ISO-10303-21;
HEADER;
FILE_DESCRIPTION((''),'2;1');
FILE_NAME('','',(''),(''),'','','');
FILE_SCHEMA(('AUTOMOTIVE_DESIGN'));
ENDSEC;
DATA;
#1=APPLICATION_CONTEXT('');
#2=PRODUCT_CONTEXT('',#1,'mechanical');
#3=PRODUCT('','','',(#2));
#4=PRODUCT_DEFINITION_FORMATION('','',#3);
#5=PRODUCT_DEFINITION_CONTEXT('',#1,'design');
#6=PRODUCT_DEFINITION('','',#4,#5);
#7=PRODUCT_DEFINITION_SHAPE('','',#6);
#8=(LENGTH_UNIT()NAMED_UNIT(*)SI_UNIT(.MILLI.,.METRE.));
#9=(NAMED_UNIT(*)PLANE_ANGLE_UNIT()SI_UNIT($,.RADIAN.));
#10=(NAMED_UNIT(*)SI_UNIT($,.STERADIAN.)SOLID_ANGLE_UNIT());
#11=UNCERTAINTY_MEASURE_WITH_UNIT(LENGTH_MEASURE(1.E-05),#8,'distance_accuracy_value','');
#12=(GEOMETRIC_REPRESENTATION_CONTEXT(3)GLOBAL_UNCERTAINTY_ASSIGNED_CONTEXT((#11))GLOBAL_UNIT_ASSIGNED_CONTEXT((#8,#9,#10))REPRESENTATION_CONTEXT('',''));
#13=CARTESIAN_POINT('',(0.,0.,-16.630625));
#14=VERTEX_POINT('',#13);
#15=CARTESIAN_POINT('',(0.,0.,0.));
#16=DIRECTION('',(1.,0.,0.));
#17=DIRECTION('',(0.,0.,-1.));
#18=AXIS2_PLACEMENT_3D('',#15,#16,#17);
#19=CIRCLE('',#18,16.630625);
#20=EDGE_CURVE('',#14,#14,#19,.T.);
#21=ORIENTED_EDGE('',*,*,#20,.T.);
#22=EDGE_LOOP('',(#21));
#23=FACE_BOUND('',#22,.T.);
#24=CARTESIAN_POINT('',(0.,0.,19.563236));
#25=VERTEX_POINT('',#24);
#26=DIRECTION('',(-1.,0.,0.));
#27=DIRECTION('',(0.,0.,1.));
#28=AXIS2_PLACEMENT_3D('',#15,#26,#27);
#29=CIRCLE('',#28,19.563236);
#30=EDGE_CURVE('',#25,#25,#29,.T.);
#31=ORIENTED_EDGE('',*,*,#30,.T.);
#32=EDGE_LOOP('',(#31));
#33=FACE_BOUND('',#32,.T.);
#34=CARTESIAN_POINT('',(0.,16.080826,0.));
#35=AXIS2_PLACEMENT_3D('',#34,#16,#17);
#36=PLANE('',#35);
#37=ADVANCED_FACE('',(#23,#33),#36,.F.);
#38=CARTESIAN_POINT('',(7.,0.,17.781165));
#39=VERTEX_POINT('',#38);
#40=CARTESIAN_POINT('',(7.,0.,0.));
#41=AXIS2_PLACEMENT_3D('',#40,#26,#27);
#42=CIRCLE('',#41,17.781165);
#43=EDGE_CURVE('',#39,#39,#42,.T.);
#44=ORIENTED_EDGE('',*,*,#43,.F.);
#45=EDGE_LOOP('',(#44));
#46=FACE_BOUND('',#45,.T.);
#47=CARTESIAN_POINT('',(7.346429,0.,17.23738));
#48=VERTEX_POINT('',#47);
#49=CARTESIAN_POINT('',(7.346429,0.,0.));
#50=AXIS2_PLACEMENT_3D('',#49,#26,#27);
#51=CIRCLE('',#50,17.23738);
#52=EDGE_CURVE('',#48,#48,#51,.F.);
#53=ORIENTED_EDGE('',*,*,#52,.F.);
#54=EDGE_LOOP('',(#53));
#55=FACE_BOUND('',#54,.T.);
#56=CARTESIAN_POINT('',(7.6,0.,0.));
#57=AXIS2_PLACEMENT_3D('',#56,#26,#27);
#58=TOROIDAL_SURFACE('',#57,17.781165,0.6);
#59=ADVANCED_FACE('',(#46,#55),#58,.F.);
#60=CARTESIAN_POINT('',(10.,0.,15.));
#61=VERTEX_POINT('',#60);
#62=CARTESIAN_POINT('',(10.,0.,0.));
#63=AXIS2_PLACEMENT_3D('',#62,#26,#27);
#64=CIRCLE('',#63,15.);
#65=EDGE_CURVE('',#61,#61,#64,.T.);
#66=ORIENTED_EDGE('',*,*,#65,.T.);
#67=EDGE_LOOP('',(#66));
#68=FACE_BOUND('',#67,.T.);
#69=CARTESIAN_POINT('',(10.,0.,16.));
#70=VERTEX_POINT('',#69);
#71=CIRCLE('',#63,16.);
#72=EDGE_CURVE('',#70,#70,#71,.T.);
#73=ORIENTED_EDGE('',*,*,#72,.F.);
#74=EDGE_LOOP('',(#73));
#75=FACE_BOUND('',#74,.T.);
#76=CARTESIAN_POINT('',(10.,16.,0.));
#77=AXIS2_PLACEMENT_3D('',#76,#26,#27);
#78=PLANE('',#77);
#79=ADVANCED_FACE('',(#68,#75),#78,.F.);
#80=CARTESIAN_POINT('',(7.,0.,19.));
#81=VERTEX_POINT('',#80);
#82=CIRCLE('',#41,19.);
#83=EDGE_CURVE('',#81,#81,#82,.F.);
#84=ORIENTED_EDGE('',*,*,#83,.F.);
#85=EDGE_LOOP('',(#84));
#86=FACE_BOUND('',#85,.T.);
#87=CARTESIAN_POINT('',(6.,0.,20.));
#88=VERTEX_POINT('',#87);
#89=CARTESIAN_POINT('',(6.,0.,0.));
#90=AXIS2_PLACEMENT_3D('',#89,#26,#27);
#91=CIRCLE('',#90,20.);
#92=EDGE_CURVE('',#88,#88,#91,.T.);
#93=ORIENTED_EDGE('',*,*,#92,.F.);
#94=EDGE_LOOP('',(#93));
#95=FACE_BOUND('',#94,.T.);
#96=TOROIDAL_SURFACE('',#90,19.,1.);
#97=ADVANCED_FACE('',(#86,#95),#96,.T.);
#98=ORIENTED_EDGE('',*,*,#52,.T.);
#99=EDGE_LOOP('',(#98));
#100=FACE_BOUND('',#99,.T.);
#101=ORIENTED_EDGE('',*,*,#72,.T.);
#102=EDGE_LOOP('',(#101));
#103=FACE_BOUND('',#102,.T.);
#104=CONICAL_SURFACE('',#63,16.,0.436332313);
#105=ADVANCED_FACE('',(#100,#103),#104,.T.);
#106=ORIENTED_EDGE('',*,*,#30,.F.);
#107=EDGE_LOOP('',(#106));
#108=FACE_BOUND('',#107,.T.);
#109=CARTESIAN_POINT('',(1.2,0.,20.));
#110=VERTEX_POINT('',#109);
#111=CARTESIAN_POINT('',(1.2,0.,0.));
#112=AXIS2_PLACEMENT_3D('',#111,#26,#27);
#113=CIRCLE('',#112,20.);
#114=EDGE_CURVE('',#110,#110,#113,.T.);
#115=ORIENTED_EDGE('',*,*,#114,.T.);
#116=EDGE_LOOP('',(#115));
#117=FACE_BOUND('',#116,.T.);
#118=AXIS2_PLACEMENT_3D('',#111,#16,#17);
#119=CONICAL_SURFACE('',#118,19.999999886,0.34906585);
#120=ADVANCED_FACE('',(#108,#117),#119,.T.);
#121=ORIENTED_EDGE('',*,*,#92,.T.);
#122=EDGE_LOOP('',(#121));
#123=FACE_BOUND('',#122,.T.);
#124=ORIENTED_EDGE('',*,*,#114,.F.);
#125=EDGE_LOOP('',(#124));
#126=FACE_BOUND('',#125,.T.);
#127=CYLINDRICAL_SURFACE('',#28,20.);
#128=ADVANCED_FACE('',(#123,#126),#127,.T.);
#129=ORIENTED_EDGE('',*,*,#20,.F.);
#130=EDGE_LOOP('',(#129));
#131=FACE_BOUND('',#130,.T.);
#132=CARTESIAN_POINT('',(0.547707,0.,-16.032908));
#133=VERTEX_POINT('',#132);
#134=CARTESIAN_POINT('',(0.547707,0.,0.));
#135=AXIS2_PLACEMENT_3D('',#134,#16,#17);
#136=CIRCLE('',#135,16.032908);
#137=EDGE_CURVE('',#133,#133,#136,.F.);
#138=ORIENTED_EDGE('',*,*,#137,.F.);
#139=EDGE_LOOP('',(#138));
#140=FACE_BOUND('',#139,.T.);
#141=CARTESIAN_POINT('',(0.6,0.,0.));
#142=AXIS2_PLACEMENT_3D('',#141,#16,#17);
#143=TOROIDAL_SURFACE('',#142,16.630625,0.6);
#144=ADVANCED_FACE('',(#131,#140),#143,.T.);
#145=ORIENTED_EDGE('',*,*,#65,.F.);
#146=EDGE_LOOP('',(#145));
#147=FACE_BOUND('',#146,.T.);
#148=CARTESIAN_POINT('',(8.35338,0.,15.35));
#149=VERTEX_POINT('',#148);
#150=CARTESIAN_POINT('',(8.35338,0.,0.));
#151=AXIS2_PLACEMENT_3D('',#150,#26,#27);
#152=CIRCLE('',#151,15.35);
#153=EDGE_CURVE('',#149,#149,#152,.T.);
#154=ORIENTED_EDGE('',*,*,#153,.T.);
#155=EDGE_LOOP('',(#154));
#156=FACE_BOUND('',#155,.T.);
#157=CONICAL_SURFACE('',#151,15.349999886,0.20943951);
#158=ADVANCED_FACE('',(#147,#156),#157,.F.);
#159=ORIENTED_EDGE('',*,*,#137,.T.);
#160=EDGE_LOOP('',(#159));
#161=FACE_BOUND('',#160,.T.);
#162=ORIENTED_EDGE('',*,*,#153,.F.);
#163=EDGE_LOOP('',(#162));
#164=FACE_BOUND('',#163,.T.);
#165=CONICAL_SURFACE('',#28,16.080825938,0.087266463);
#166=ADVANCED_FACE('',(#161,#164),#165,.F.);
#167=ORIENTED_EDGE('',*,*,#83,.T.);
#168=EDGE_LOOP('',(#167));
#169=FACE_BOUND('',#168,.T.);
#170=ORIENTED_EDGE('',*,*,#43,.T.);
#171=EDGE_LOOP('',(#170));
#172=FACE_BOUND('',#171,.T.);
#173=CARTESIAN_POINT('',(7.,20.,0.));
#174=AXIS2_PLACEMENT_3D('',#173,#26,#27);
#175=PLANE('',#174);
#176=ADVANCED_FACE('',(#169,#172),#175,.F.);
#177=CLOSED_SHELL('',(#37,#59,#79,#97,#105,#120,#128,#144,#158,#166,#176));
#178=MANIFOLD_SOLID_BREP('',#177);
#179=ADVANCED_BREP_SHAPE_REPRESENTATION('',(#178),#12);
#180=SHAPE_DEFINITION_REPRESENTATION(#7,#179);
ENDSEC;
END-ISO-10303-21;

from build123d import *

# Parameters (mm, degrees)
FILLET1_R = 0.6
FILLET2_R = 1


with BuildPart() as part:
    # Sketch1 → Revolve1 (revolve)
    with BuildSketch(Plane.XY):
        Polygon((0, 16.080825938), (0, 19.563235604), (1.2, 19.999999886), (7, 19.999999886), (7, 17.398922974), (10, 16), (10, 15), (8.35338, 15.349999886), align=None)
    revolve(axis=Axis((0, 0, 0), (1, 0, 0)))

    # Fillet1
    fillet1_edges = [part.edges().sort_by_distance(p)[0] for p in [
        (0, -16.080825938, 0),
        (7, -17.398922974, 0),
    ]]
    fillet(fillet1_edges, radius=FILLET1_R)

    # Fillet2
    fillet2_edges = [part.edges().sort_by_distance(p)[0] for p in [
        (7, -19.999999886, 0),
    ]]
    fillet(fillet2_edges, radius=FILLET2_R)


solid = part.part
